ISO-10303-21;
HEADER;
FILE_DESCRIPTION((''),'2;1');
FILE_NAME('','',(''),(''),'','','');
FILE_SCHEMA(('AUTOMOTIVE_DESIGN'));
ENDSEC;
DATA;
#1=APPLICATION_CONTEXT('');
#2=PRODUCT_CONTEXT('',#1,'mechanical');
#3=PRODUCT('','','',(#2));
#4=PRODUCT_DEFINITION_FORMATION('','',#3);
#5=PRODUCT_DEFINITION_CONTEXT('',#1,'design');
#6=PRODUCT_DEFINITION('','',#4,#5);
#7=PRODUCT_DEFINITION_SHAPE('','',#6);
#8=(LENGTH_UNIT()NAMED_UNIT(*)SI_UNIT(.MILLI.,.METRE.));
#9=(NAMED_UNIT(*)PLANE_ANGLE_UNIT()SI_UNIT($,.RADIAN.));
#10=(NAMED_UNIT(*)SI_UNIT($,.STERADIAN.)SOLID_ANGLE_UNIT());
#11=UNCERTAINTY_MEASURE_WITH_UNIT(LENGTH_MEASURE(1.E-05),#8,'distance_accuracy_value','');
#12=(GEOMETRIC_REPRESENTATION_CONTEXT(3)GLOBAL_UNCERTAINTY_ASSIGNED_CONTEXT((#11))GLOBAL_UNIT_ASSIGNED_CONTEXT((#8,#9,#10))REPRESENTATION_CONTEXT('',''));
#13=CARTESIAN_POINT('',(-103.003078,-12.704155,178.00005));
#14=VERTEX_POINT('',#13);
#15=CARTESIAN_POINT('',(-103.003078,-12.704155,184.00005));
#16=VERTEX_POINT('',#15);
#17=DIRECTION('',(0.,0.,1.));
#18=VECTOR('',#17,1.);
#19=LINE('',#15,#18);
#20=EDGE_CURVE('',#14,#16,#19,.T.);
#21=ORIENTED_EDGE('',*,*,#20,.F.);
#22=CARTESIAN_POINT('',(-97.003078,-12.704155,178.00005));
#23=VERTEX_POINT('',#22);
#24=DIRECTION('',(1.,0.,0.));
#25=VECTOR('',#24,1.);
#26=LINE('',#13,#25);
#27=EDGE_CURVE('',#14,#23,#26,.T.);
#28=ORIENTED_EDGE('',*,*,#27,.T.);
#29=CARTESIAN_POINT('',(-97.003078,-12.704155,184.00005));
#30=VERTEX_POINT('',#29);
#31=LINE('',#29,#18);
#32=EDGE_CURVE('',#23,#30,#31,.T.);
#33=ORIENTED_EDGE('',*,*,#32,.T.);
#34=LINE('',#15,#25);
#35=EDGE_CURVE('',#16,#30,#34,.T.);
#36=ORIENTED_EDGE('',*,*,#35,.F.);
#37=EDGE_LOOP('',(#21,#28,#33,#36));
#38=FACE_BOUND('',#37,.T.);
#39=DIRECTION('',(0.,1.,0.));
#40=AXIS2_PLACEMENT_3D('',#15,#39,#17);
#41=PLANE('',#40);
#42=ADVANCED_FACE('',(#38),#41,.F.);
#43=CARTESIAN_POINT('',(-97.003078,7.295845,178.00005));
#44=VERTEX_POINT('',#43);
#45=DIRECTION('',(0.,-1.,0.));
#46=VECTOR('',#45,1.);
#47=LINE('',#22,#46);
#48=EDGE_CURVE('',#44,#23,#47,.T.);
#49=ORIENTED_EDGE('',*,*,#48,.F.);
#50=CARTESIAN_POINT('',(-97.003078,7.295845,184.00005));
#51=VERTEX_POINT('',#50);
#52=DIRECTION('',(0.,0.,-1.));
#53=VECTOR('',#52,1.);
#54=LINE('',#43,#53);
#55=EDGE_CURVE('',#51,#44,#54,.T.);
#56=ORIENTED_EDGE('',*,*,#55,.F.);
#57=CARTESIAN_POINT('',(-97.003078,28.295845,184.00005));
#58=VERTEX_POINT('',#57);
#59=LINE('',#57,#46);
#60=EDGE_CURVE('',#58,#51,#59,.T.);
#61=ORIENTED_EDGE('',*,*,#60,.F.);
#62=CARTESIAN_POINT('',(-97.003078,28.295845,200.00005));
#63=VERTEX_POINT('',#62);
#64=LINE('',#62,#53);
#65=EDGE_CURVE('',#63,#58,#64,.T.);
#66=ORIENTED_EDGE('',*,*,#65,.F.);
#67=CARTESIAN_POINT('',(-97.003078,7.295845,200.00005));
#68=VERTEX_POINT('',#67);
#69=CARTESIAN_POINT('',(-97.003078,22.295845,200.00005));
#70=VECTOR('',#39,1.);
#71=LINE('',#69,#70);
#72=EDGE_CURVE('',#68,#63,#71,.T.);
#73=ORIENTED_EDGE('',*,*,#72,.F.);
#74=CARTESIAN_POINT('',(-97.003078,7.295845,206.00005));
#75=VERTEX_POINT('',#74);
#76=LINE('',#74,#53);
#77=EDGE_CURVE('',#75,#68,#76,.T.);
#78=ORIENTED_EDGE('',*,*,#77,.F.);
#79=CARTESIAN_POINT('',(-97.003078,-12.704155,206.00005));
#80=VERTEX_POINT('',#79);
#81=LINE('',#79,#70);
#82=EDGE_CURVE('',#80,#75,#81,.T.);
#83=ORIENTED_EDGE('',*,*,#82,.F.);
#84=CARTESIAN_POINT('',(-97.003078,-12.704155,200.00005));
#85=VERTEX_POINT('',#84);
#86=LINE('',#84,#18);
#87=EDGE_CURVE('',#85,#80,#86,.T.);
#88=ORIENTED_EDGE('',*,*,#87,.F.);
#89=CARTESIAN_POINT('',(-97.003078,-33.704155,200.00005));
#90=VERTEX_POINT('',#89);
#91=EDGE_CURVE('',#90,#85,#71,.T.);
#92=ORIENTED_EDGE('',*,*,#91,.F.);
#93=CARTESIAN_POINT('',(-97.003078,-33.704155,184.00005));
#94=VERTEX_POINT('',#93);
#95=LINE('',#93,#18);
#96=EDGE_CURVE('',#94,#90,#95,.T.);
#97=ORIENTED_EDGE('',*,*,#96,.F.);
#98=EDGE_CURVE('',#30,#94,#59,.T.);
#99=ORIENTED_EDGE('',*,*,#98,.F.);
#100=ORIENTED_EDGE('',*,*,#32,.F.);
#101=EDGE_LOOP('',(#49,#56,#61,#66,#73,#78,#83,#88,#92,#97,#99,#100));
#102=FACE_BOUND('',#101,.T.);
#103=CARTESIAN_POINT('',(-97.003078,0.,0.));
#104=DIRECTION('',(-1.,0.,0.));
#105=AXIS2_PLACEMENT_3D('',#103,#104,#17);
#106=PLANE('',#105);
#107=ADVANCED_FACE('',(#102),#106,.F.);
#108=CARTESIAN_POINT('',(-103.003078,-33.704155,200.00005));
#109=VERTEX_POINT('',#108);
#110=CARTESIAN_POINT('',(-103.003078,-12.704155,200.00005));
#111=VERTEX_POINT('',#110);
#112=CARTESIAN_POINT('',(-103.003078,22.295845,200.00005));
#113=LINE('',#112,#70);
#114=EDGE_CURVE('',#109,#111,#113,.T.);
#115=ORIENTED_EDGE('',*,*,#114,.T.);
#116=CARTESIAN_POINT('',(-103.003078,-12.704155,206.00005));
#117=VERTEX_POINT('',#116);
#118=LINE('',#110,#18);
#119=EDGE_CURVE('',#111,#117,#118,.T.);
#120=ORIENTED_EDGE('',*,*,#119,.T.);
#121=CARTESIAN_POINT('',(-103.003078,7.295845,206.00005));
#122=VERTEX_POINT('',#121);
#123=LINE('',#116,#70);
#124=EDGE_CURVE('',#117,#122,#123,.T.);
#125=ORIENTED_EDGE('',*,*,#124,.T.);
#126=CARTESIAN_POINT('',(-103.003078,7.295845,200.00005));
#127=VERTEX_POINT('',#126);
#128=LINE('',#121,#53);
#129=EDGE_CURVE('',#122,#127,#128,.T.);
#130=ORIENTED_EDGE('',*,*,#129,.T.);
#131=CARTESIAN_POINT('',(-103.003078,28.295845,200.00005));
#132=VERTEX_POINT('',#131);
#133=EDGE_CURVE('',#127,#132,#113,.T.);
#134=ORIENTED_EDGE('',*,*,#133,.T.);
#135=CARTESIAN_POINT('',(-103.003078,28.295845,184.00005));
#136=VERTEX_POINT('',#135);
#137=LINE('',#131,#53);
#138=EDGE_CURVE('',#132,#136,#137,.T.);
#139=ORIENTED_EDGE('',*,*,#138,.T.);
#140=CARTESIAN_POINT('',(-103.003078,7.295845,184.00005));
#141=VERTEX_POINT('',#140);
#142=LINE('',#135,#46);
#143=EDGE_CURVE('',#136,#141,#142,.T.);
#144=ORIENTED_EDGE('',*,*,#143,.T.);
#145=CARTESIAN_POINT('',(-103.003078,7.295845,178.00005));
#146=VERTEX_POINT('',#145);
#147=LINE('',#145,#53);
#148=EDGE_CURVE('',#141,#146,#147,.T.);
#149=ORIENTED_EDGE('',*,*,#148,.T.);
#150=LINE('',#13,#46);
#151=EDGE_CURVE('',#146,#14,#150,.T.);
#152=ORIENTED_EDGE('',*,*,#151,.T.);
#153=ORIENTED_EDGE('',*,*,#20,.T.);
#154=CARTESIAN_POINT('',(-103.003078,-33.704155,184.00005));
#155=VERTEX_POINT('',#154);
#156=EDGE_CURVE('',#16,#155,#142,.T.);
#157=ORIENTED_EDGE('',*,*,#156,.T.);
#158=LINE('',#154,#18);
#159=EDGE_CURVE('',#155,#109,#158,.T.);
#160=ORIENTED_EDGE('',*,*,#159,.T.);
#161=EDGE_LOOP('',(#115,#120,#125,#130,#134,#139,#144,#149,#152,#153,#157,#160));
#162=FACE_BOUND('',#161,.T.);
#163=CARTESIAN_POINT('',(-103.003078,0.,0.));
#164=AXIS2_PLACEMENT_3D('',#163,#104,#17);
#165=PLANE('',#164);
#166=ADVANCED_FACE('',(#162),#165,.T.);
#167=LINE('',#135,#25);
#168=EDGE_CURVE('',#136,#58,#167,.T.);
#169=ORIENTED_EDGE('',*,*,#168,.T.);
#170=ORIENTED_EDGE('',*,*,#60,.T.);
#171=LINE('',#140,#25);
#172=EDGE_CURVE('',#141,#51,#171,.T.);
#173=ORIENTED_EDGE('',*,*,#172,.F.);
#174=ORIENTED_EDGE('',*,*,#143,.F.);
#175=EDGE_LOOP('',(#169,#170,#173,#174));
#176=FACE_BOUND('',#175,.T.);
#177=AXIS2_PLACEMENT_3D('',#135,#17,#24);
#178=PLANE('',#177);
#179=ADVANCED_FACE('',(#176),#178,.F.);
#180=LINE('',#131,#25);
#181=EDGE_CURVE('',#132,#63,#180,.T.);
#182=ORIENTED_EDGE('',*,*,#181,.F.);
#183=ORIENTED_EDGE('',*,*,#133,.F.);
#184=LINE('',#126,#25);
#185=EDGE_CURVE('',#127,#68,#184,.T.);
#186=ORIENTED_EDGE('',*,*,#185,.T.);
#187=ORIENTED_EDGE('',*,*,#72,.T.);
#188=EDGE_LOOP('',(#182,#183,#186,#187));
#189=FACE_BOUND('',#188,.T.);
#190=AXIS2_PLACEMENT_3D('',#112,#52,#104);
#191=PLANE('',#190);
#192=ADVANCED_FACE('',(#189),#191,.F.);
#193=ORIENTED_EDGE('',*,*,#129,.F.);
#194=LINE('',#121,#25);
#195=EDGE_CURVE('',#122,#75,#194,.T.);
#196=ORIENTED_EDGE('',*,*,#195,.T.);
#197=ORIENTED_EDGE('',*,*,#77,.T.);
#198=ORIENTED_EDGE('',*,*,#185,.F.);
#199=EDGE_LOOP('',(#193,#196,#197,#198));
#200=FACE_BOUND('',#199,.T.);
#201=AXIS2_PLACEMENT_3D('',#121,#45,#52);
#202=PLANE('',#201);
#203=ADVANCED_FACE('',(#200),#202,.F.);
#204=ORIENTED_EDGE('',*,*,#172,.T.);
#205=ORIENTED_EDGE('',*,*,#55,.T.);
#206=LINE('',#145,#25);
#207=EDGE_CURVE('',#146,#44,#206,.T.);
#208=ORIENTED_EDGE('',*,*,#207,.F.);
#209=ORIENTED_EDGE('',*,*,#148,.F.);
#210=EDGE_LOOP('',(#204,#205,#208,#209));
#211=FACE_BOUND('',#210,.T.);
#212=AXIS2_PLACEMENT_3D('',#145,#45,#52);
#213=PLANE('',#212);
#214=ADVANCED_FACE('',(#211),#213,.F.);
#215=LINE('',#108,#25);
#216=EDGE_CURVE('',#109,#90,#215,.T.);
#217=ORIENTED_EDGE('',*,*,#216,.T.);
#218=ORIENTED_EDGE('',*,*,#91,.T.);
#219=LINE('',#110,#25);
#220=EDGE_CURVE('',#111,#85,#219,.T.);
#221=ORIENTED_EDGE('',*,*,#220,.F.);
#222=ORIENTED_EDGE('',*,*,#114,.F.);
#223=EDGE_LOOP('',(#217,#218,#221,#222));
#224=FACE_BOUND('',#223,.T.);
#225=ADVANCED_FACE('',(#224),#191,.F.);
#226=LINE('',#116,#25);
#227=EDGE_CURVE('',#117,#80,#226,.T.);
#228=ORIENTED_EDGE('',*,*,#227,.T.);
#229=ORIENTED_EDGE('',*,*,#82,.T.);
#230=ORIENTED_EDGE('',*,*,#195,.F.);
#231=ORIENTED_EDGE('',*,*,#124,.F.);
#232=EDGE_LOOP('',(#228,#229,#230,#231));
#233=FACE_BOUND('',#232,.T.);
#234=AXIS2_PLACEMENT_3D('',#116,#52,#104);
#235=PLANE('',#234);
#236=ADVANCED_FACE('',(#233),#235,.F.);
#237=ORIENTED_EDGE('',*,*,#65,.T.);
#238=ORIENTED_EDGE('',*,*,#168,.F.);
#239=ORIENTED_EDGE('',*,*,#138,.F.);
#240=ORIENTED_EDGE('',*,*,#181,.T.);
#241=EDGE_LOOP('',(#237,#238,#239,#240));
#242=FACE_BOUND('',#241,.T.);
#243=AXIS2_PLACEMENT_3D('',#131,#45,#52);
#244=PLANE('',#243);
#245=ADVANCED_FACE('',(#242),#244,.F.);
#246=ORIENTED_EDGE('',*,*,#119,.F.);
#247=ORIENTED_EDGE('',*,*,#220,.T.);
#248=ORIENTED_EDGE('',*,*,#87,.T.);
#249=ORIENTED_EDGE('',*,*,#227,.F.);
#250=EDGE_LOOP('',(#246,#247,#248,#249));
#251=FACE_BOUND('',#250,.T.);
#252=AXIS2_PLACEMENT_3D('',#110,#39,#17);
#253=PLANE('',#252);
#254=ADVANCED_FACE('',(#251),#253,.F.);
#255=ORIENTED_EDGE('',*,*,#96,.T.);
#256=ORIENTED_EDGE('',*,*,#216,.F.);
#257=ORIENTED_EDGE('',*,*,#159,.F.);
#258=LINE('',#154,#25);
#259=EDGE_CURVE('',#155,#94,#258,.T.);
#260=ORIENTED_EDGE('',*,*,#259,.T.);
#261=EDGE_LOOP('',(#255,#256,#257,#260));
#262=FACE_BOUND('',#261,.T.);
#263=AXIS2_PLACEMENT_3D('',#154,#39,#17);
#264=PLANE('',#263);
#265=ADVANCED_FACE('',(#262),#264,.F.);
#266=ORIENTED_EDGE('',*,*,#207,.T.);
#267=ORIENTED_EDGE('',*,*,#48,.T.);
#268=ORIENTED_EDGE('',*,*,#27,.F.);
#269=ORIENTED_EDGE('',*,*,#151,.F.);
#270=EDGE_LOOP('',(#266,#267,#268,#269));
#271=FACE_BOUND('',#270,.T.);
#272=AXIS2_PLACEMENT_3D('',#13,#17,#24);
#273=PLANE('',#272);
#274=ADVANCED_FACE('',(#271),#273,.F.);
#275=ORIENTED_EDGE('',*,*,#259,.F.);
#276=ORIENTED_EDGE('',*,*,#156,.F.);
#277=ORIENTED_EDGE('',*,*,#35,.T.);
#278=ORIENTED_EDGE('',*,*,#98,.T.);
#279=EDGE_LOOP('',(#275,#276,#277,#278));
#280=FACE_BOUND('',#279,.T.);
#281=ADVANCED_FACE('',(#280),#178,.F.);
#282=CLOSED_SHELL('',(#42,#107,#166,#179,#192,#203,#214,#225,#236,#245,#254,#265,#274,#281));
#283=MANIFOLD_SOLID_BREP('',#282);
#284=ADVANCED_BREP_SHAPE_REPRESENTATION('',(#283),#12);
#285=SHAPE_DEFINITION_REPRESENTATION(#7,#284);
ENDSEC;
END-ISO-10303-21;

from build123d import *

# Parameters (mm, degrees)
ESQUISSE1_W          = 6
ESQUISSE1_H          = 20
BOSS_EXTRU_2_DEPTH   = 6
ESQUISSE1_W_2        = 16
ESQUISSE1_H_2        = 6
BOSS_EXTRU_2_2_DEPTH = 6
BOSS_EXTRU_2_3_DEPTH = 6
BOSS_EXTRU_2_4_DEPTH = 6
BOSS_EXTRU_3_DEPTH   = 16


with BuildPart() as part:
    # Esquisse1 → Boss.-Extru.2 (new body)
    with BuildSketch(Plane.ZY.offset(97.003078089)):
        with Locations((181.00005, -2.704155421)):
            Rectangle(ESQUISSE1_W, ESQUISSE1_H)
    extrude(amount=BOSS_EXTRU_2_DEPTH)



with BuildPart() as body_2:
    # Esquisse1 → Boss.-Extru.2 2 (new body)
    with BuildSketch(Plane.ZY.offset(97.003078089)):
        with Locations((192.00005, 25.295844579)):
            Rectangle(ESQUISSE1_W_2, ESQUISSE1_H_2)
    extrude(amount=BOSS_EXTRU_2_2_DEPTH)


with BuildPart() as body_3:
    # Esquisse1 → Boss.-Extru.2 3 (new body)
    with BuildSketch(Plane.ZY.offset(97.003078089)):
        with Locations((203.00005, -2.704155421)):
            Rectangle(ESQUISSE1_W, ESQUISSE1_H)
    extrude(amount=BOSS_EXTRU_2_3_DEPTH)


with BuildPart() as body_4:
    # Esquisse1 → Boss.-Extru.2 4 (new body)
    with BuildSketch(Plane.ZY.offset(97.003078089)):
        with Locations((192.00005, -30.704155421)):
            Rectangle(ESQUISSE1_W_2, ESQUISSE1_H_2)
    extrude(amount=BOSS_EXTRU_2_4_DEPTH)


with BuildPart() as part_1:
    add(part.part)

    add(body_2.part)  # Boss.-Extru.3 merges body 2

    add(body_3.part)  # Boss.-Extru.3 merges body 3

    add(body_4.part)  # Boss.-Extru.3 merges body 4
    # Esquisse2 → Boss.-Extru.3 (add)
    with BuildSketch(Plane(origin=(0, 0, 200.00005), x_dir=(-1, 0, 0), z_dir=(0, 0, -1))):
        Polygon((103.003078089, 22.295844579), (97.003078089, 22.295844579), (97.003078089, 7.295844579), (97.003078089, -12.704155421), (97.003078089, -27.704155421), (103.003078089, -27.704155421), (103.003078089, -12.704155421), (103.003078089, 7.295844579), align=None)
    extrude(amount=BOSS_EXTRU_3_DEPTH)


solid = part_1.part
